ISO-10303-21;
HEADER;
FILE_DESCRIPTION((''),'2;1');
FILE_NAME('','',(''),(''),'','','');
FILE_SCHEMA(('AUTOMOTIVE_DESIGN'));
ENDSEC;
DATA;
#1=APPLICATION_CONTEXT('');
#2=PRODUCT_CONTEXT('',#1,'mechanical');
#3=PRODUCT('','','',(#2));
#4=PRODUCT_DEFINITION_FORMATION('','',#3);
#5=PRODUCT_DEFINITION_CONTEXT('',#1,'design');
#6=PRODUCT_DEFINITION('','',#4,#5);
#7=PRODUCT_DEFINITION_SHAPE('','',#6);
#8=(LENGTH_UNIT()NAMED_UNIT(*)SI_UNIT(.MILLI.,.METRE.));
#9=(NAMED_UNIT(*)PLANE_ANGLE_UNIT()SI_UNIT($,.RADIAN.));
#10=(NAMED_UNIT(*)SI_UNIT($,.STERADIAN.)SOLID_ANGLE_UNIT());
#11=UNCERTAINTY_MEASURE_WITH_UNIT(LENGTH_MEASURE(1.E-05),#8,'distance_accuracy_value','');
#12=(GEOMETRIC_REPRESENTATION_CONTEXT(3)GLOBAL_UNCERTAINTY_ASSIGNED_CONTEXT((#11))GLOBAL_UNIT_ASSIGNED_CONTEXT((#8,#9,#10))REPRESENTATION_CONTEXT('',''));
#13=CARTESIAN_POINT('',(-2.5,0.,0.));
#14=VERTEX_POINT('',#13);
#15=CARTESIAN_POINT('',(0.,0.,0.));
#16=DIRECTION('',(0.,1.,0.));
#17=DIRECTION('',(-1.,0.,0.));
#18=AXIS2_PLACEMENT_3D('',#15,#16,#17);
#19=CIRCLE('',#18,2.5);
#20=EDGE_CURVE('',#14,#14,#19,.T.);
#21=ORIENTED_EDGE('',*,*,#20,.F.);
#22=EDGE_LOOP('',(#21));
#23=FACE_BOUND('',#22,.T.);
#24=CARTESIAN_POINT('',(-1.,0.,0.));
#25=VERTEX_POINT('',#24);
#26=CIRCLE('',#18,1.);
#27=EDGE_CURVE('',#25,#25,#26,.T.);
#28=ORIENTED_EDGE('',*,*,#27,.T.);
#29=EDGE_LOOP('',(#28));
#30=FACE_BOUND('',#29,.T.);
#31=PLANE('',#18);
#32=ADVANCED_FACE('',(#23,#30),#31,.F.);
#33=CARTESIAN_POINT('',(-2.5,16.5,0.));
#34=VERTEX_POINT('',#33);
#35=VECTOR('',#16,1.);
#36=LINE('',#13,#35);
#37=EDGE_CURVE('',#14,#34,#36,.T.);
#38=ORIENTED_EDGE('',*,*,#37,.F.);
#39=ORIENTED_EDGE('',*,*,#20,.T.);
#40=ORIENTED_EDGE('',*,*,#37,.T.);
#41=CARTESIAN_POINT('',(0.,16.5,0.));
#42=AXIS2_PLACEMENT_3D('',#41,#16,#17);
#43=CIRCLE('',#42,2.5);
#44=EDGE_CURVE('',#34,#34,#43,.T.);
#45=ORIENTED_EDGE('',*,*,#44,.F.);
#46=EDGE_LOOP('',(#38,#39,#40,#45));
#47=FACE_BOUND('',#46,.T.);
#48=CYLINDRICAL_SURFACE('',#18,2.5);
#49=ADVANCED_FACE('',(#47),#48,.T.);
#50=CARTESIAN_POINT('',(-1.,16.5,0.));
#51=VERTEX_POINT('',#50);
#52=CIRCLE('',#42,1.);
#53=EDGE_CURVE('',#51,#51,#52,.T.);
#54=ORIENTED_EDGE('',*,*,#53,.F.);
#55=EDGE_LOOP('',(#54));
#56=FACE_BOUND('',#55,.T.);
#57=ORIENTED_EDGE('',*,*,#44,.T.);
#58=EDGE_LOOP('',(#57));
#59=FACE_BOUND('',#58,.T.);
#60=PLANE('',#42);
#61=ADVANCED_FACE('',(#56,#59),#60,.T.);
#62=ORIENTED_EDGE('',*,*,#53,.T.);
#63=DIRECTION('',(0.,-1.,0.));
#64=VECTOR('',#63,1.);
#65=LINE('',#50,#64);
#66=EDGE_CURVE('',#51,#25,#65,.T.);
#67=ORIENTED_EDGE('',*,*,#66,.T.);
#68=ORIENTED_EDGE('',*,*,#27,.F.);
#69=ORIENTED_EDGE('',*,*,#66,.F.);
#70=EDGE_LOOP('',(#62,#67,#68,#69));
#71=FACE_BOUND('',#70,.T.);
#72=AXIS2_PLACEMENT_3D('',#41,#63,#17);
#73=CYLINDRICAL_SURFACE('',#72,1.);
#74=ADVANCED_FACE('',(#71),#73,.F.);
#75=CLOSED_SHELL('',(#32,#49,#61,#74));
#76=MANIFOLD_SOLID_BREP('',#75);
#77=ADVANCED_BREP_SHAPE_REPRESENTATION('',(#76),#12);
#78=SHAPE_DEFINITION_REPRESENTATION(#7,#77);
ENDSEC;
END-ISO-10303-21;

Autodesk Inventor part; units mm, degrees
ref_plane "YZ Plane" through (0, 0, 0) normal (1, 0, 0) x (0, 1, 0)
ref_plane "XZ Plane" through (0, 0, 0) normal (0, 1, 0) x (-1, 0, 0)
ref_plane "XY Plane" through (0, 0, 0) normal (0, 0, 1) x (1, 0, 0)
sketch "Sketch1" plane through (0, 0, 0) normal (0, 0, 1) x (1, 0, 0)
  line L0 (0, 0) -> (0, 16.5)
  line L1 (0, 16.5) -> (-1, 16.5)
  line L2 (-1, 16.5) -> (-1, 0)
  line L3 (-1, 0) -> (0, 0)
  line L4 (-1, 0) -> (-2.5, 0)
  line L5 (-2.5, 0) -> (-2.5, 16.5)
  line L6 (-2.5, 16.5) -> (-1, 16.5)
  dimension "d0" = 16.5
  dimension "d1" = 1
  dimension "d2" = 1.5
revolve "Revolution1" add sketch "Sketch1" angle 360 about axis through (0, 0, 0) along (0, 1, 0) contours L4 L5 L6 L2
properties part number "PiMount_spaced_fr"
